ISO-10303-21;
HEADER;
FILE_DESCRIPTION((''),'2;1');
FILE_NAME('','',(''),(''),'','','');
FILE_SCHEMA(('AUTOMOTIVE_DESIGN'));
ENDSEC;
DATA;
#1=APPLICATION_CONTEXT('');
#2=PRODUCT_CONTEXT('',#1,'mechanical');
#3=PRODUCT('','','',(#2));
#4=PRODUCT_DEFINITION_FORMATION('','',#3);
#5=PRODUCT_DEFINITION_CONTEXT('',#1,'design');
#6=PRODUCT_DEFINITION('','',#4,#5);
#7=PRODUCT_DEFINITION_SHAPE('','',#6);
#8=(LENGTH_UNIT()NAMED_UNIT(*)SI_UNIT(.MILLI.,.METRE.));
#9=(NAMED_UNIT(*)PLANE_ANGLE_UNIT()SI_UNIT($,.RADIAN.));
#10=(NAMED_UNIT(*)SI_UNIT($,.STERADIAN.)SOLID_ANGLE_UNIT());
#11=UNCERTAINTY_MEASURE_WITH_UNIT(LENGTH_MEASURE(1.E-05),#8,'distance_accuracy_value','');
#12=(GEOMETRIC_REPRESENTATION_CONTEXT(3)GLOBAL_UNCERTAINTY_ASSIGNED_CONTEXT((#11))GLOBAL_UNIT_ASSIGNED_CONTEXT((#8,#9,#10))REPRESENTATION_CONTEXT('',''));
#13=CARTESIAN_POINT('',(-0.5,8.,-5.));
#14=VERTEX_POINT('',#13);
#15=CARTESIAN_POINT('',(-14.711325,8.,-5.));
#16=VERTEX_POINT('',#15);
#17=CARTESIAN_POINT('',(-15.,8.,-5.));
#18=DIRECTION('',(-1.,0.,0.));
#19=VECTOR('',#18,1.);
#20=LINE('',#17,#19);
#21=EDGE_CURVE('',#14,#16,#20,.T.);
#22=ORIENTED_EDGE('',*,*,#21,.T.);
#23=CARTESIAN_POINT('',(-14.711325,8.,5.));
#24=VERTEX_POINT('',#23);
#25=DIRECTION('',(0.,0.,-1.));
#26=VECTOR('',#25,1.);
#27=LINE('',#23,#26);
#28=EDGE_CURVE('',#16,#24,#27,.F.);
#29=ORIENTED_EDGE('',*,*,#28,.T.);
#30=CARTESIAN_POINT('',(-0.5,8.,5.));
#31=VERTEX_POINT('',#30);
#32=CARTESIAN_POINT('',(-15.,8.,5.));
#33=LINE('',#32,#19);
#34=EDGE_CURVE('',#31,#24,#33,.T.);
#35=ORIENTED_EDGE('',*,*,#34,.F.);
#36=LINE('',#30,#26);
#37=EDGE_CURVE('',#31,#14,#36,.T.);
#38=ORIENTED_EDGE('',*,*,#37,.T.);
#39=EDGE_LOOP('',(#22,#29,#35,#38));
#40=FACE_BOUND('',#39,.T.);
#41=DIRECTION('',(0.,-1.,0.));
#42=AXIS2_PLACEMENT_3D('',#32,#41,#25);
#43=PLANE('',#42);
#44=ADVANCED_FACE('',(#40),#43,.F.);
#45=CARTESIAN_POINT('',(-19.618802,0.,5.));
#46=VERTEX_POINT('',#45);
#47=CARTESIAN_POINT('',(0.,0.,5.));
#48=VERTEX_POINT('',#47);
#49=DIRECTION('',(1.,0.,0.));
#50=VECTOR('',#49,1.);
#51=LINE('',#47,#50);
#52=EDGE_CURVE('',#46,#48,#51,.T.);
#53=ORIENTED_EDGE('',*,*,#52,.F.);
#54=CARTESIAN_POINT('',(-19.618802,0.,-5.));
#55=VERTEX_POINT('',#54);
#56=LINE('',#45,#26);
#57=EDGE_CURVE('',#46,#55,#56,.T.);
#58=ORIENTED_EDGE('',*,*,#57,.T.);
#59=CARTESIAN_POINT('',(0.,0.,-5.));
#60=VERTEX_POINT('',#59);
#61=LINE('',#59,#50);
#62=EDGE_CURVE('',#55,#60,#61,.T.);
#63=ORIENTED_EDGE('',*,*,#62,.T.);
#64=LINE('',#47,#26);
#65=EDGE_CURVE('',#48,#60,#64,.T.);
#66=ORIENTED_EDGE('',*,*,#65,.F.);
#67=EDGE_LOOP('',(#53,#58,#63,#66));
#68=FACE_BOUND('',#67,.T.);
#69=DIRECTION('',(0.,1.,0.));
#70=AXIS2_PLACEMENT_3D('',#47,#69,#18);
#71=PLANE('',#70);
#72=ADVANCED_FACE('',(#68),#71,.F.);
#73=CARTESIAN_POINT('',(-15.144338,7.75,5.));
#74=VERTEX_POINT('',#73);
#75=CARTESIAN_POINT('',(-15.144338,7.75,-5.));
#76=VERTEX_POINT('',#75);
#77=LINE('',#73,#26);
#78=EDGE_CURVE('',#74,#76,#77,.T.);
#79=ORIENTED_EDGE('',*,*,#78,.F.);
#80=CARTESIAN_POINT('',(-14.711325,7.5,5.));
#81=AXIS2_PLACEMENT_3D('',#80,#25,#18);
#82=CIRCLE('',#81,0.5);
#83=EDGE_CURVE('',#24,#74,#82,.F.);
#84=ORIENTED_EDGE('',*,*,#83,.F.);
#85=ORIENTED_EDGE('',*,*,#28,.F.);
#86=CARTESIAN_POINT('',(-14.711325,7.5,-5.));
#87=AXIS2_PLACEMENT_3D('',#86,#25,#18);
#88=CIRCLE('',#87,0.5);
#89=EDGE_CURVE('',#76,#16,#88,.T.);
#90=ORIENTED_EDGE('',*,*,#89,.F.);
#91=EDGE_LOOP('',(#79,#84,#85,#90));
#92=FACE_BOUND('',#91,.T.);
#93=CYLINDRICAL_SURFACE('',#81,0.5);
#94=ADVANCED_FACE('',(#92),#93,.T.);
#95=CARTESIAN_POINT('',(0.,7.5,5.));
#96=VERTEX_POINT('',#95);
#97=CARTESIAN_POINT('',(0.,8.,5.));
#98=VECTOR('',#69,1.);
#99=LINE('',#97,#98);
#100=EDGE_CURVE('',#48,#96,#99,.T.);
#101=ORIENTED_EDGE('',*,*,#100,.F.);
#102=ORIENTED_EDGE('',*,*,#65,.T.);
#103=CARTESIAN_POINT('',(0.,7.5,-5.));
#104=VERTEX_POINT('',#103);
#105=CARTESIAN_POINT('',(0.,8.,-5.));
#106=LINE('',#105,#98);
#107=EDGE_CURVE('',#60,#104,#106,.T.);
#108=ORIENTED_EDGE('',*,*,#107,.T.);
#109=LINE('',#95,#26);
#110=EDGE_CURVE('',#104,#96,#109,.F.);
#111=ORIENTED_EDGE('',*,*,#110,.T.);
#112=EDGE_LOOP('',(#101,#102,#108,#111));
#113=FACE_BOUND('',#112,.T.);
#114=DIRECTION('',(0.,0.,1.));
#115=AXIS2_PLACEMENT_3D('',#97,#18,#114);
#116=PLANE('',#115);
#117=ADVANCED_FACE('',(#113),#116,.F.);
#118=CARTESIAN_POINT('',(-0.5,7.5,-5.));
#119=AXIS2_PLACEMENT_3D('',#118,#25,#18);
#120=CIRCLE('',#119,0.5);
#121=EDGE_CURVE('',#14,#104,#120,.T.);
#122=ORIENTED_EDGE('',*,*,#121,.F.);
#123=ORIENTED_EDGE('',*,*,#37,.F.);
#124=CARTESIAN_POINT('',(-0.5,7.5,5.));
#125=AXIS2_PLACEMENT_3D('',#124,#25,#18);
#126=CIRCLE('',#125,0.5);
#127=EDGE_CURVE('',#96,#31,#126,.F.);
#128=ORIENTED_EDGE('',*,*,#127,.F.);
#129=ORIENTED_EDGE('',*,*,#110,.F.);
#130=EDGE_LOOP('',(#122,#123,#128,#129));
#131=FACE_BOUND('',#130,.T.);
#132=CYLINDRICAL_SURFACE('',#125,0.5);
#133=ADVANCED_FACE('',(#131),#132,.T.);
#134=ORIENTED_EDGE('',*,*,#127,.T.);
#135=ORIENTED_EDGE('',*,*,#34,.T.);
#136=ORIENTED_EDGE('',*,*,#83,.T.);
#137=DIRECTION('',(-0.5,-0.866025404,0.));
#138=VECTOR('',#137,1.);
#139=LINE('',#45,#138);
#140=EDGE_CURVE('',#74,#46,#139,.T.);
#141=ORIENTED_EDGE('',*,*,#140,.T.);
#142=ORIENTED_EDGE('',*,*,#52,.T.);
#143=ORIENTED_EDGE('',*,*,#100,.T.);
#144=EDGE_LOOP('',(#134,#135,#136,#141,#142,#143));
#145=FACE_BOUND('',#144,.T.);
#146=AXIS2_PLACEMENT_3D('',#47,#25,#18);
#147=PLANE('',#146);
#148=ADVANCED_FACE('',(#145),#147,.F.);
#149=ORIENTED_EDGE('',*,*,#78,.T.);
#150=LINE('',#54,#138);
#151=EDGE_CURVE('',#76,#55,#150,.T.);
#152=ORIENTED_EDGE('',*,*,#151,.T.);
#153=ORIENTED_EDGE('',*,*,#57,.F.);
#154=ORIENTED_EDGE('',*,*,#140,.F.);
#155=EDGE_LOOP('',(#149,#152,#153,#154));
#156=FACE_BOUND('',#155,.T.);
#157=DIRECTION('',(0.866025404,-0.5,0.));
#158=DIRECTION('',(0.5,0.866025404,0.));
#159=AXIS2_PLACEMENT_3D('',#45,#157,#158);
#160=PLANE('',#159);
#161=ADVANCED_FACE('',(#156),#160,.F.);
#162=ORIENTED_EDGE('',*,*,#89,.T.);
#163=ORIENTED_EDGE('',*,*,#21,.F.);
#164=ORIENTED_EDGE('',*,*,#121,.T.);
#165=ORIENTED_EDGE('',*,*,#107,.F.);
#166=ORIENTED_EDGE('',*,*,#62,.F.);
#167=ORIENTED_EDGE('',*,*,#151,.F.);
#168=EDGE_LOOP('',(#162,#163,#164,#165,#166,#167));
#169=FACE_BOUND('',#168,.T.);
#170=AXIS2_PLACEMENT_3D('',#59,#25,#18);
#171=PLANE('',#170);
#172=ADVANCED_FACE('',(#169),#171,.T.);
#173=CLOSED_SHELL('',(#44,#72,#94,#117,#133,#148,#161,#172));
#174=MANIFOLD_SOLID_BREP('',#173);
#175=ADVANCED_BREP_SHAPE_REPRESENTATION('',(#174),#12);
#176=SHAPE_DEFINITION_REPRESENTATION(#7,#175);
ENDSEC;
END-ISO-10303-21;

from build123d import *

# Parameters (mm, degrees)
BOSS_EXTRU_1_DEPTH = 5
CONG_1_R           = 0.5


with BuildPart() as part:
    # Esquisse1 → Boss.-Extru.1 (new, symmetric)
    with BuildSketch(Plane.XY):
        Polygon((-15, 8), (0, 8), (0, 0), (-19.618802154, 0), align=None)
    extrude(amount=BOSS_EXTRU_1_DEPTH, both=True)

    # Congé1
    cong_1_edges = [part.edges().sort_by_distance(p)[0] for p in [
        (-15, 8, 0),
        (0, 8, 0),
    ]]
    fillet(cong_1_edges, radius=CONG_1_R)


solid = part.part
